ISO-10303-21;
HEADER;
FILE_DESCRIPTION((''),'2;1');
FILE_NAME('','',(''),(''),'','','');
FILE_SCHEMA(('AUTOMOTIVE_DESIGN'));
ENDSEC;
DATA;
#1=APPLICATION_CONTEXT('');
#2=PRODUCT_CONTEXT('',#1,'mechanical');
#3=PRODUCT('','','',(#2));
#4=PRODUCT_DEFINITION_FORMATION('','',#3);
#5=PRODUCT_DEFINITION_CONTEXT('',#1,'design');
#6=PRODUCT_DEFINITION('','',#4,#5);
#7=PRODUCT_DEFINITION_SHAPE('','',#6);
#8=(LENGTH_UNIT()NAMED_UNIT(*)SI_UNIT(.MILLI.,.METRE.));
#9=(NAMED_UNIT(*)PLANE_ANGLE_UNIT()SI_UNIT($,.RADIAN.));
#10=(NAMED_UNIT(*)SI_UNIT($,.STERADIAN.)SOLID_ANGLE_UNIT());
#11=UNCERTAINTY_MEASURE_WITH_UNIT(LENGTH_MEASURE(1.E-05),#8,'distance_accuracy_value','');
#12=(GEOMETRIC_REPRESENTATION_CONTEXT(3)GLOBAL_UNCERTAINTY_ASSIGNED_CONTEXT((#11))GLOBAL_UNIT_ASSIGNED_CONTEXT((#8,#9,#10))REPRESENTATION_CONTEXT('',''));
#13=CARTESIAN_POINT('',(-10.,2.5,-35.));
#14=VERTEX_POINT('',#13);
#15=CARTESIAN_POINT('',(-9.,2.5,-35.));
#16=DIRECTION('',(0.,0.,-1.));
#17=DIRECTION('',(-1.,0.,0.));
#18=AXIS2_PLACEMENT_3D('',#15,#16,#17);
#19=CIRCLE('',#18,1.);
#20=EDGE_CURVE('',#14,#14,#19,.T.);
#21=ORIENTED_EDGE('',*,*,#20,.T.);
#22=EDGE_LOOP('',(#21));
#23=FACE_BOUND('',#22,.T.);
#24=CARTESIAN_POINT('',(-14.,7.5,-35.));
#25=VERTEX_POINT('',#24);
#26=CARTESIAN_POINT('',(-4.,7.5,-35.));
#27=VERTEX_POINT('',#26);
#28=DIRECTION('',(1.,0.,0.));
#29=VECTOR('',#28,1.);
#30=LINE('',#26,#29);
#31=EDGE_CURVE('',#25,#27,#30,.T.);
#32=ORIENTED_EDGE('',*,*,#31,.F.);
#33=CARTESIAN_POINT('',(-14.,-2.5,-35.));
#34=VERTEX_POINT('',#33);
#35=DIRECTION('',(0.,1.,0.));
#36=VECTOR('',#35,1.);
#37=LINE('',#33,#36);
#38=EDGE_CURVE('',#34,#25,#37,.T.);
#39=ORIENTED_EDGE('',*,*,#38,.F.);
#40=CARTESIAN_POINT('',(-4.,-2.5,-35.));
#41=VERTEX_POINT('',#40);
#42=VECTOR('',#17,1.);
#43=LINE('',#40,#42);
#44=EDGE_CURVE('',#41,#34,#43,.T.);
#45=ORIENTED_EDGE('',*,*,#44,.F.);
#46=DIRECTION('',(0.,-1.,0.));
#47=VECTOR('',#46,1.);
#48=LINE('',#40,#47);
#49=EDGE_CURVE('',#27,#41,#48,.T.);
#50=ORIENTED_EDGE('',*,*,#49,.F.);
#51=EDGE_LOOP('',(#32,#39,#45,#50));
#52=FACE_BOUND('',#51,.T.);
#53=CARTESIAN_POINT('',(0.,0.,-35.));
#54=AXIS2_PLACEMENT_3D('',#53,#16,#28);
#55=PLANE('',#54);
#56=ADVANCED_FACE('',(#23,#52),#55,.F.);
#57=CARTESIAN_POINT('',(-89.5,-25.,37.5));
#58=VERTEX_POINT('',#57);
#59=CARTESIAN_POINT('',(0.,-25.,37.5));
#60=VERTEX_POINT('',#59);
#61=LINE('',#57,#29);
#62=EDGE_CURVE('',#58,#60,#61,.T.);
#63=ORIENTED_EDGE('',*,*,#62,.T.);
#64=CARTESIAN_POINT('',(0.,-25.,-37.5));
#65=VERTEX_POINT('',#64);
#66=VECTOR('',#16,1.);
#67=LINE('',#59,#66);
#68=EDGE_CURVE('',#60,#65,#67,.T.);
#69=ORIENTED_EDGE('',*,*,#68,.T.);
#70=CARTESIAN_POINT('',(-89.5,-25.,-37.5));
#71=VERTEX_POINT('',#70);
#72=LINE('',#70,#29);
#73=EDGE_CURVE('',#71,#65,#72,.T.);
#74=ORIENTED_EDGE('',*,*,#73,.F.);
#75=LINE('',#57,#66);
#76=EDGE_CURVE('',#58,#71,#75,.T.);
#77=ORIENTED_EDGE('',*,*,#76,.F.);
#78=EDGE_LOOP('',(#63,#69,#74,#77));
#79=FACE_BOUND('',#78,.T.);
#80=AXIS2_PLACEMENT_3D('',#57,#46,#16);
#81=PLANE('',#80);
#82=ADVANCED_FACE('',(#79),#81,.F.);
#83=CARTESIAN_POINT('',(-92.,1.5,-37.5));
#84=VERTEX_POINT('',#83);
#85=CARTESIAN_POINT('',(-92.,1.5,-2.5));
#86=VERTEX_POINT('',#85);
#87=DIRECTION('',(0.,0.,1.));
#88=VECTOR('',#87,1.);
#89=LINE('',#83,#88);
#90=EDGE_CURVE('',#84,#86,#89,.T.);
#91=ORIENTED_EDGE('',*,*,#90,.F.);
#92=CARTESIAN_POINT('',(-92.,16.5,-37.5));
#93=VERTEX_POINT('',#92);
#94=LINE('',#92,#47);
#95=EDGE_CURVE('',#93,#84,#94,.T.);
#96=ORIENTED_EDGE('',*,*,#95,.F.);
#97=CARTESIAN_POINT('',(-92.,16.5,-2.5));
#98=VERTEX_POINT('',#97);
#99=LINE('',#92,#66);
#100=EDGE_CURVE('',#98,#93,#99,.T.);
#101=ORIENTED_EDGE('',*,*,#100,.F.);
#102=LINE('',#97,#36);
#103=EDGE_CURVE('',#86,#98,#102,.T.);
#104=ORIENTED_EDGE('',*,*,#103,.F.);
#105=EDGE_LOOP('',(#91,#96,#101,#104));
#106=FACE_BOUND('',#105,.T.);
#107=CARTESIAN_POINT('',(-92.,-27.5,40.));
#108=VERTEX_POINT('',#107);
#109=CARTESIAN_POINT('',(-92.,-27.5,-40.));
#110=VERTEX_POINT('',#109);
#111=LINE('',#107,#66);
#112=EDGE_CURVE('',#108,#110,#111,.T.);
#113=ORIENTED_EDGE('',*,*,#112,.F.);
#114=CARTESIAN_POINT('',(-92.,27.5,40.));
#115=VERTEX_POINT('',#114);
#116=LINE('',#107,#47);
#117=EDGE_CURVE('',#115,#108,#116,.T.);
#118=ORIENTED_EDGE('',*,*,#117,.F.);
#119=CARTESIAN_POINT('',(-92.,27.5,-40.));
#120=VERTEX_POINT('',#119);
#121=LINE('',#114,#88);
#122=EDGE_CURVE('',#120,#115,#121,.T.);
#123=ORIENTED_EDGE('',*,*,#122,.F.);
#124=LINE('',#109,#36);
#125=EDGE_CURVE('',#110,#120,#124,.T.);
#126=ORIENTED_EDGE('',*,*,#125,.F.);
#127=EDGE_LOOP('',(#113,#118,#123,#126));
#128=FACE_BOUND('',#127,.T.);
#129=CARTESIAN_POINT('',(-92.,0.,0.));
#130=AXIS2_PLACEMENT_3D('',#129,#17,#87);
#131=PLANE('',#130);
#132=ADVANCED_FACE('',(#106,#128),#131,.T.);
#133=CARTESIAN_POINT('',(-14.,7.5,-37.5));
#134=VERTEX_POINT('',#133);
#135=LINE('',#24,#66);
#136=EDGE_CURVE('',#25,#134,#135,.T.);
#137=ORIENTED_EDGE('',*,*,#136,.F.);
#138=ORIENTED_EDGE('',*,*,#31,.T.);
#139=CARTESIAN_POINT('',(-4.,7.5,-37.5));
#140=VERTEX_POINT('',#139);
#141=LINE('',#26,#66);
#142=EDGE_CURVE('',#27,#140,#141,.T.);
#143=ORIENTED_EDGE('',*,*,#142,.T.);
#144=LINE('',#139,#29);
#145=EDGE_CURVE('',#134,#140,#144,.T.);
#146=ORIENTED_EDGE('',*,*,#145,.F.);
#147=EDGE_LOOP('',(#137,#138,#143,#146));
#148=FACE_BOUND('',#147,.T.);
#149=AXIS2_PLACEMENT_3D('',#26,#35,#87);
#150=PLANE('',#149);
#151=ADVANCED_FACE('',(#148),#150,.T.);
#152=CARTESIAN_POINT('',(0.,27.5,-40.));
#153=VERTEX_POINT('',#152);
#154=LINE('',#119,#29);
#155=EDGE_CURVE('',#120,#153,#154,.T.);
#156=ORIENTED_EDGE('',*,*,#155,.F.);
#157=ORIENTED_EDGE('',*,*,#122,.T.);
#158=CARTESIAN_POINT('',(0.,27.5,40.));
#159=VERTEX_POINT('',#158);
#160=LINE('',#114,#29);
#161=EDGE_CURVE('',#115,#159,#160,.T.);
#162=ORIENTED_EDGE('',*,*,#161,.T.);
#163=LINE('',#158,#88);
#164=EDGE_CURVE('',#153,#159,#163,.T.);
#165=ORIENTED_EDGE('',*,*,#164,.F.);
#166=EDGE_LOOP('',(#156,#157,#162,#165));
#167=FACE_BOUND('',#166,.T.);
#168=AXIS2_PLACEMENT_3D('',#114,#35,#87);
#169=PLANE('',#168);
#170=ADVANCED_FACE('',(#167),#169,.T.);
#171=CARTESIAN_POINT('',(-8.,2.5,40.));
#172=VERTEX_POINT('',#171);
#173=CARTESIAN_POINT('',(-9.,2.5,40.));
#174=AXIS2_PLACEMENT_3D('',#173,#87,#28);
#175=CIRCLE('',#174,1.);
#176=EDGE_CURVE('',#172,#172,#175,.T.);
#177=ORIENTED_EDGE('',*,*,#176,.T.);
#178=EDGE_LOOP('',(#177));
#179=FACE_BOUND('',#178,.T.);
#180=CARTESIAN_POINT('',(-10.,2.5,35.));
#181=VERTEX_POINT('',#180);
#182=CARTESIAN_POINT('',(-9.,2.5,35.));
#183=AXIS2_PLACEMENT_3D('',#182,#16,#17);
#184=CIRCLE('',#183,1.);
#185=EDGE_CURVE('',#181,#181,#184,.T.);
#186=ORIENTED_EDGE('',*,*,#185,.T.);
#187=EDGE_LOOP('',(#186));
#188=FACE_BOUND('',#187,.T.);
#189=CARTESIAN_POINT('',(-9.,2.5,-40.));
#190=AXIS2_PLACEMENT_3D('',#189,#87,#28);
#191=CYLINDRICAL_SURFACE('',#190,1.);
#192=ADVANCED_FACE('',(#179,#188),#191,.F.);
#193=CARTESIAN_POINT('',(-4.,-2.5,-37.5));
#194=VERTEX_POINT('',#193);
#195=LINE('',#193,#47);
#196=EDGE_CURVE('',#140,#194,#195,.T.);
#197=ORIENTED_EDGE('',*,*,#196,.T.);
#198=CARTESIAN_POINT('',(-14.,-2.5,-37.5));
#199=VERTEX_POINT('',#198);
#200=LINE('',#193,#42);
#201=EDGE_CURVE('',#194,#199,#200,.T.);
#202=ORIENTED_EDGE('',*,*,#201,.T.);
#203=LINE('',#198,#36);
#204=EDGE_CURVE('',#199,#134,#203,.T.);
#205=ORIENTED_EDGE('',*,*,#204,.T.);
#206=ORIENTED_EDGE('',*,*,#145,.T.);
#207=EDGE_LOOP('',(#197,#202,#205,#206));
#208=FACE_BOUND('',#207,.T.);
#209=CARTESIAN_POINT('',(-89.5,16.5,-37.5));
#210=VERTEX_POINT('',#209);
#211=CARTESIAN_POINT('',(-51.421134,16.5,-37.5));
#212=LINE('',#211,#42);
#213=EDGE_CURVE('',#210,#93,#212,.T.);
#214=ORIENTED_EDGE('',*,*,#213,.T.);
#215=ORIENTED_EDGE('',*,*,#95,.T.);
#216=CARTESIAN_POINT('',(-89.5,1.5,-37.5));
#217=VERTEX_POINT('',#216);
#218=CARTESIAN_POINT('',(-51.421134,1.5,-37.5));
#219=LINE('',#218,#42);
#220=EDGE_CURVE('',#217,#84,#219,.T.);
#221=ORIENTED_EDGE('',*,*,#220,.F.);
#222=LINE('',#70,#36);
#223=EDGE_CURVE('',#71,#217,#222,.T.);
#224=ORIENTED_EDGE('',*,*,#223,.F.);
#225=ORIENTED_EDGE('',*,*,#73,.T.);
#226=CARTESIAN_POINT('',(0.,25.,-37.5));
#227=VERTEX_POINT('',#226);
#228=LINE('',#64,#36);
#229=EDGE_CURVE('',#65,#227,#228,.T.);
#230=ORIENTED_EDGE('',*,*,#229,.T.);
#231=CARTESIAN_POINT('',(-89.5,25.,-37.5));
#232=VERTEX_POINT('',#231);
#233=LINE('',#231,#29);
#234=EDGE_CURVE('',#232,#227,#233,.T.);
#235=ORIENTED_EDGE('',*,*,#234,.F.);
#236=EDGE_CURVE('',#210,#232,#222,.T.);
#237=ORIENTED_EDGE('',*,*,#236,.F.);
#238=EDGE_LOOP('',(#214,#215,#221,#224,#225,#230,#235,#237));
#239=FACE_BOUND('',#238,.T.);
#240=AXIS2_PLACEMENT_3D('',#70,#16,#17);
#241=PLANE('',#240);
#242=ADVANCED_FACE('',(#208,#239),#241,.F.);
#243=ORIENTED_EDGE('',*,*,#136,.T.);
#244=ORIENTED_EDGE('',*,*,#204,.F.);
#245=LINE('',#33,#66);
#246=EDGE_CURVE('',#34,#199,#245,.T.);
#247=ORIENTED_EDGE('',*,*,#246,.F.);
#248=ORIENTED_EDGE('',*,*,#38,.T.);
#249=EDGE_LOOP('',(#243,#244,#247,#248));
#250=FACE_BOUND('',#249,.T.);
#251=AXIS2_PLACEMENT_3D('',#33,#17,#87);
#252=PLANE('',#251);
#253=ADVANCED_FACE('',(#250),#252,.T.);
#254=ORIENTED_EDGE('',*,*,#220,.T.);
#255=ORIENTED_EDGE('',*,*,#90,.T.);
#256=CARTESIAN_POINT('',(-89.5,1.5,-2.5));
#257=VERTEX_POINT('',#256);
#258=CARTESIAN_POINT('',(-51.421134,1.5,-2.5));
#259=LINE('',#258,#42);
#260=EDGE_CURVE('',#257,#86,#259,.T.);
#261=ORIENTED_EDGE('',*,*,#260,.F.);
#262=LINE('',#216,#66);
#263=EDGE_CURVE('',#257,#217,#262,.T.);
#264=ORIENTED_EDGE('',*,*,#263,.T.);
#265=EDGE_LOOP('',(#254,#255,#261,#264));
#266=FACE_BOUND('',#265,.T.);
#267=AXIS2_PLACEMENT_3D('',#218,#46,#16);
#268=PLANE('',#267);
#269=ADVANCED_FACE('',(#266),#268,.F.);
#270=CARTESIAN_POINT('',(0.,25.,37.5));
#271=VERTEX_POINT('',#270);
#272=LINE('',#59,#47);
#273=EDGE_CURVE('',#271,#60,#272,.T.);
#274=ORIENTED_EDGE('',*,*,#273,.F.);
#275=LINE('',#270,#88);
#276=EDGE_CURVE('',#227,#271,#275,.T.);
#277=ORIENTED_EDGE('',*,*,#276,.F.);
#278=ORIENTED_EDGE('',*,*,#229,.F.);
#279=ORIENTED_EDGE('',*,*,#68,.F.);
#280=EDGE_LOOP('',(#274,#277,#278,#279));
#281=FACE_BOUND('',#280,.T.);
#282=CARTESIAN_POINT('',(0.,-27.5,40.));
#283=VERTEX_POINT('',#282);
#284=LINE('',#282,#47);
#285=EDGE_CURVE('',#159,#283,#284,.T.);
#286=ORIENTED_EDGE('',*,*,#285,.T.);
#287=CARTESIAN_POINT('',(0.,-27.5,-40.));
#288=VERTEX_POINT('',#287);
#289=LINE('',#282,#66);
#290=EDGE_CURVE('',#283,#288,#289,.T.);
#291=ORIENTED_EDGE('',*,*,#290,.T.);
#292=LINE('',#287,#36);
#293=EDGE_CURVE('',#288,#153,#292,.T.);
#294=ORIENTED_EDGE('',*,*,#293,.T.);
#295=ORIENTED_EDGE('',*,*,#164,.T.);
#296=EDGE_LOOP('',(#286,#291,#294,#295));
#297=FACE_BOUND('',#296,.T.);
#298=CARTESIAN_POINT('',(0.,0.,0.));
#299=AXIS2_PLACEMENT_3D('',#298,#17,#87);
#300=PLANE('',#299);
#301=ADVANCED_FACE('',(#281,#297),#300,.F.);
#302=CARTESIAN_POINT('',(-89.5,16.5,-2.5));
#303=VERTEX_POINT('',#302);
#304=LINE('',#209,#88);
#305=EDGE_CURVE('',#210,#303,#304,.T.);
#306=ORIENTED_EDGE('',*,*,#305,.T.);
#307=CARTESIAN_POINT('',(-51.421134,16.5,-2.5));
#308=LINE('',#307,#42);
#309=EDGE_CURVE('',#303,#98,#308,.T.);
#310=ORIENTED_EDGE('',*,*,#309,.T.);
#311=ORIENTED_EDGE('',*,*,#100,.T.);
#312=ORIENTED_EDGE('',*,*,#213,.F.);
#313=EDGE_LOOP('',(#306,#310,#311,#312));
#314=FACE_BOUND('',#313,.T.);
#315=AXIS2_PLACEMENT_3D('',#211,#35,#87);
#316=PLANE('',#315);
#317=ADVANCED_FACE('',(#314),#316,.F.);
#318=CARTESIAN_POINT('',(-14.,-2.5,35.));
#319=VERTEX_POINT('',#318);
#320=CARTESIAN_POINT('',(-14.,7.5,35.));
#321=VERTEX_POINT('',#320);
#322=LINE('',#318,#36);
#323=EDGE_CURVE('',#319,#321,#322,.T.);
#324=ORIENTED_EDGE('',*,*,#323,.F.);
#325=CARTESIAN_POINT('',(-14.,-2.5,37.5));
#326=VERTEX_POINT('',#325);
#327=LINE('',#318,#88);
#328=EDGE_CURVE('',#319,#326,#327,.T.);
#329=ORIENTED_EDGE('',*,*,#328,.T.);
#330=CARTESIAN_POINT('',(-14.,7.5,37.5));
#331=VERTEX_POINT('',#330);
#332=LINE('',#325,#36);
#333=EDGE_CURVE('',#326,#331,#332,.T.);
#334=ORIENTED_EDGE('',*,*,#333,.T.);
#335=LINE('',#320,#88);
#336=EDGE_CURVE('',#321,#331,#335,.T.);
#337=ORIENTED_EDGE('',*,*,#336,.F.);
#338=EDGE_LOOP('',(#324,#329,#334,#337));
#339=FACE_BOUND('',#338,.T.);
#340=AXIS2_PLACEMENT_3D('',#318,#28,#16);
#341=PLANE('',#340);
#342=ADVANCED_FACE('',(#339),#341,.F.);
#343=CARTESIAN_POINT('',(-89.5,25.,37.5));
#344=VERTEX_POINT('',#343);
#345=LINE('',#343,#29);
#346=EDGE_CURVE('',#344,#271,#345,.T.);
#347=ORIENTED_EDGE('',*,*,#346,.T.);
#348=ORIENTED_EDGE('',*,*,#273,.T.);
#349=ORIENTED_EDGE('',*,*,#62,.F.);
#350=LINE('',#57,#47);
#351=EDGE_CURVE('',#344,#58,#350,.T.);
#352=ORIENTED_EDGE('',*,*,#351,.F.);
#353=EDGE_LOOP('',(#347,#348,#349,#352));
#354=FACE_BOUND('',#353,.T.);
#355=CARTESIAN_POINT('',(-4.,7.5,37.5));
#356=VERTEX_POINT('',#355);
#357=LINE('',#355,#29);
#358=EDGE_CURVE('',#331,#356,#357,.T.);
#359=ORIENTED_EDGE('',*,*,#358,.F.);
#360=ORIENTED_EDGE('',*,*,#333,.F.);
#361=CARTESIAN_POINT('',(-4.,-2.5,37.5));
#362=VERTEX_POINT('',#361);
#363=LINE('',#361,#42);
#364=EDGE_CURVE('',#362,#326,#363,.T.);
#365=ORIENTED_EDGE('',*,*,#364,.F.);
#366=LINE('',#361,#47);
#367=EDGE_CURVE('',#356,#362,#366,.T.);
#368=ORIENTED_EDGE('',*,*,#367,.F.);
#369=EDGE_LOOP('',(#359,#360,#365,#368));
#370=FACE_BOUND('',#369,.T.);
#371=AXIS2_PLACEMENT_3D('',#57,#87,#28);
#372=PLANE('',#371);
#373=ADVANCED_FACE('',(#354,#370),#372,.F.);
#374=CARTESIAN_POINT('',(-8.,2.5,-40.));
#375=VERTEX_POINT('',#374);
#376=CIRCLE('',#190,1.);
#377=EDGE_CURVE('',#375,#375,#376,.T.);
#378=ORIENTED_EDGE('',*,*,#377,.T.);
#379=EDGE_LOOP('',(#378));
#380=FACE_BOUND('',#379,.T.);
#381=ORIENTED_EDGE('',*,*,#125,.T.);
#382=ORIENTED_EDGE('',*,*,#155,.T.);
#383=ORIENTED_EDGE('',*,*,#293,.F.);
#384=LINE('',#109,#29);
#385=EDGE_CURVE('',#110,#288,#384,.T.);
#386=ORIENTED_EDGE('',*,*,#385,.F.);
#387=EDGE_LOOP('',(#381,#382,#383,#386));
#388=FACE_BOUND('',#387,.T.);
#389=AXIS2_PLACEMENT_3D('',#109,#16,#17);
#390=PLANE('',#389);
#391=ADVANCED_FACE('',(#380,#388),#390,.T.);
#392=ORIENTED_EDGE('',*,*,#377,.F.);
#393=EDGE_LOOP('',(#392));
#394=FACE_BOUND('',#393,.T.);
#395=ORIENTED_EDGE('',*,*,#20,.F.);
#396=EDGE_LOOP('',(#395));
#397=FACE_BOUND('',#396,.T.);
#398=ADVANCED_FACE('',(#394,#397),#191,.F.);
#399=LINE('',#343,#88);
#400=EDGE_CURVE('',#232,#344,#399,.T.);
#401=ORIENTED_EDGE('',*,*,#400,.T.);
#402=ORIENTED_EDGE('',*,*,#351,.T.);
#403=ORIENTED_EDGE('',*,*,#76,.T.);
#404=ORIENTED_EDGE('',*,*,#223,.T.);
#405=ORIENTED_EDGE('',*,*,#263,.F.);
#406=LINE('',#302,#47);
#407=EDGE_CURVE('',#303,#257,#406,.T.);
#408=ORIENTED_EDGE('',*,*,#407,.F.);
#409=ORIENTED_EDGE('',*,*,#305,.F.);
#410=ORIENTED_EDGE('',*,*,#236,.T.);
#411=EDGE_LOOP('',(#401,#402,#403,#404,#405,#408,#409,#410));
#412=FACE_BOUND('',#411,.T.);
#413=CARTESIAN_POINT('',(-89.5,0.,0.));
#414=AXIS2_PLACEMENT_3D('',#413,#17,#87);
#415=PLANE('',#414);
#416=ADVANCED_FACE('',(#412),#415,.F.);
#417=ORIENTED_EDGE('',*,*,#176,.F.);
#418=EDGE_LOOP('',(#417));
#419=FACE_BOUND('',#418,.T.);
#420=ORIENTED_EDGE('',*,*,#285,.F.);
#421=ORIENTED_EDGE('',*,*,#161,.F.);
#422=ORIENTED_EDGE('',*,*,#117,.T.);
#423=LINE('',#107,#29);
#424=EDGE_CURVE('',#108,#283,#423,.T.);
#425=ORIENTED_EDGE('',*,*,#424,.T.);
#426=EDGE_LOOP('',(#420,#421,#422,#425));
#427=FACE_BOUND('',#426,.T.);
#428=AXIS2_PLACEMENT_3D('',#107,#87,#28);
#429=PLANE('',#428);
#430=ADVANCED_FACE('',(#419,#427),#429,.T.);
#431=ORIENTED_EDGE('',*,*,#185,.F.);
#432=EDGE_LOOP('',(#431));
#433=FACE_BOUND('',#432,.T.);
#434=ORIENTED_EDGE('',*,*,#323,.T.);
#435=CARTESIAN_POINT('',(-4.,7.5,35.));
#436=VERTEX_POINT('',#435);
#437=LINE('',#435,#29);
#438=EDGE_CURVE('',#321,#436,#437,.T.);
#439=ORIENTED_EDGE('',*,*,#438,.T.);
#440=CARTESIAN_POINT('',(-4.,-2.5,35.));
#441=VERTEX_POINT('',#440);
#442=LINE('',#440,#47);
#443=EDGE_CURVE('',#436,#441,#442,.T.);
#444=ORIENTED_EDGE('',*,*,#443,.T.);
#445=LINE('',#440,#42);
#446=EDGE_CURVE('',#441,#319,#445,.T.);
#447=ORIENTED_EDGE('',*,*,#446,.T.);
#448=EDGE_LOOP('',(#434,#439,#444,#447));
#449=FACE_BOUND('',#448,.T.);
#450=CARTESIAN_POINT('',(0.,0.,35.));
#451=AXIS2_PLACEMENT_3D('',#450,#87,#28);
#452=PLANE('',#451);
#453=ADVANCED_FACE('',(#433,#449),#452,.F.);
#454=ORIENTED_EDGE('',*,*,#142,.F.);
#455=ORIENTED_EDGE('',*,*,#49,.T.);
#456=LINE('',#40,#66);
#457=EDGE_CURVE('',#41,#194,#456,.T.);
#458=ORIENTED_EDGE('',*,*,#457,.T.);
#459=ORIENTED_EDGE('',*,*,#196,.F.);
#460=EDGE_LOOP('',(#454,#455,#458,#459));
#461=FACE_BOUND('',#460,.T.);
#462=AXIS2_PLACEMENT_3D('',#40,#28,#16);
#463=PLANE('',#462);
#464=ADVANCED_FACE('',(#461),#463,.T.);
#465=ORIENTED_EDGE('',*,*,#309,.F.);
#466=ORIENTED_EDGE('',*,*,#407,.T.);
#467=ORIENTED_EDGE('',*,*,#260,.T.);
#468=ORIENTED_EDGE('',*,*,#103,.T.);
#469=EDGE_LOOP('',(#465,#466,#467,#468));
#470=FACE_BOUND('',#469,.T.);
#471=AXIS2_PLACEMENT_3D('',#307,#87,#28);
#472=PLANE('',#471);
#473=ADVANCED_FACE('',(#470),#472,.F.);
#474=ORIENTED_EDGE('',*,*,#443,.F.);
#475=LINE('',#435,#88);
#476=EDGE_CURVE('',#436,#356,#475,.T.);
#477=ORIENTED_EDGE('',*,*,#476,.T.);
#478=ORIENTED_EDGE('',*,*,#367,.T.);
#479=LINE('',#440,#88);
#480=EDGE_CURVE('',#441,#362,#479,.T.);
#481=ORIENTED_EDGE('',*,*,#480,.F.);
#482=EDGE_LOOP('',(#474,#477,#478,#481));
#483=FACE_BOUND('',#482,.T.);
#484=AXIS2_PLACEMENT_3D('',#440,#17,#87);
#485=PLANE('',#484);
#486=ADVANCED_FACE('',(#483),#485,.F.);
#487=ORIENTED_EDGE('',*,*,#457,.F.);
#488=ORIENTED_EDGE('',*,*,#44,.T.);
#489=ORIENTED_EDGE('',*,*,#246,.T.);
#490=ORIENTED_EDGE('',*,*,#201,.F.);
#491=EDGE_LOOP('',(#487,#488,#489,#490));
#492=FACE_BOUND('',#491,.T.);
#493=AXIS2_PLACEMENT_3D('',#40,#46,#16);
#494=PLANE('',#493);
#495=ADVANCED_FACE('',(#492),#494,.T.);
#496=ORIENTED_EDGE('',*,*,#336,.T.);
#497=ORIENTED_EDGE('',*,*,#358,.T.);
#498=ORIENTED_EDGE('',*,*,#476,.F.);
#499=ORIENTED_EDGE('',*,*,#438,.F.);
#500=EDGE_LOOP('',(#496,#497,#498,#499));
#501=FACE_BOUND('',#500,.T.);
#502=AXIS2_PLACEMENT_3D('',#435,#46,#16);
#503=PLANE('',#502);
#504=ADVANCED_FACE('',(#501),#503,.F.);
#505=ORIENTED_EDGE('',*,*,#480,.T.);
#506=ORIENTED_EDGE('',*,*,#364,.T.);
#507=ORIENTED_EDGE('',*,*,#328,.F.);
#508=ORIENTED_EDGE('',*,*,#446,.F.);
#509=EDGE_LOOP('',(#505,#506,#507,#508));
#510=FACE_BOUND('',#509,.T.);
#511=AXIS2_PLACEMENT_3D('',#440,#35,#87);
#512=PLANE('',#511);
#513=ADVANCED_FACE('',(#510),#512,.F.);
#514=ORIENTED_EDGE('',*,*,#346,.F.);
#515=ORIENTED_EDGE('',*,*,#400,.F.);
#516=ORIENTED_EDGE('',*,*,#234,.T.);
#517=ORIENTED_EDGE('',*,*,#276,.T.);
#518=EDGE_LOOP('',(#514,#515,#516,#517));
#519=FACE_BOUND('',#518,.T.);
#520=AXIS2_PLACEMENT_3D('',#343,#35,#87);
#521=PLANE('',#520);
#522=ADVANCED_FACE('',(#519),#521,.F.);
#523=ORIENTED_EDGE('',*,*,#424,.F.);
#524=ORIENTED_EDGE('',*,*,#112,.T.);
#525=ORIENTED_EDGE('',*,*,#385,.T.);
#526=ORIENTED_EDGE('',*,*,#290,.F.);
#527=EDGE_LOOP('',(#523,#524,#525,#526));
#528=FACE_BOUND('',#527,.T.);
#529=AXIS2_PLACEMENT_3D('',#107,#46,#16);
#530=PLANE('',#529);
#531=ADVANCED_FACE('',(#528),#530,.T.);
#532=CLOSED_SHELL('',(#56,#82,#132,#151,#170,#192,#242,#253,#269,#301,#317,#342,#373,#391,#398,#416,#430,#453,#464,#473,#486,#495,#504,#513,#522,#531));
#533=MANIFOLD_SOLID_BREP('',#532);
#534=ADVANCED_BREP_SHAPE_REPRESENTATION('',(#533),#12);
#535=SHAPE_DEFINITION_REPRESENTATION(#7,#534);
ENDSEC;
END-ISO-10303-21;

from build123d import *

# Parameters (mm, degrees)
ESBO_O2_W                = 80
ESBO_O2_H                = 55
RESSALTO_EXTRUS_O1_DEPTH = 92
ESBO_O3_W                = 75
ESBO_O3_H                = 50
CORTE_EXTRUS_O1_DEPTH    = 89.5
ESBO_O4_W                = 35
ESBO_O4_H                = 15
CORTE_EXTRUS_O2_DEPTH    = 2.5
ESBO_O5_R                = 1
CORTE_EXTRUS_O3_DEPTH    = 125.980998556
ESBO_O6_W                = 10
ESBO_O6_H                = 10
RESSALTO_EXTRUS_O2_DEPTH = 2.5
ESBO_O8_R                = 1
CORTE_EXTRUS_O4_DEPTH    = 122.841085025


with BuildPart() as part:
    # Esboço2 → Ressalto-extrusão1 (new body)
    with BuildSketch(Plane(origin=(0, 0, 0), x_dir=(0, 0, -1), z_dir=(1, 0, 0))):
        Rectangle(ESBO_O2_W, ESBO_O2_H)
    extrude(amount=-RESSALTO_EXTRUS_O1_DEPTH)

    # Esboço3 → Corte-extrusão1 (cut)
    with BuildSketch(Plane(origin=(0, 0, 0), x_dir=(0, 0, -1), z_dir=(1, 0, 0))):
        Rectangle(ESBO_O3_W, ESBO_O3_H)
    extrude(amount=-CORTE_EXTRUS_O1_DEPTH, mode=Mode.SUBTRACT)

    # Esboço4 → Corte-extrusão2 (cut)
    with BuildSketch(Plane.ZY.offset(92)):
        with Locations((-20, 9)):
            Rectangle(ESBO_O4_W, ESBO_O4_H)
    extrude(amount=-CORTE_EXTRUS_O2_DEPTH, mode=Mode.SUBTRACT)

    # Esboço5 → Corte-extrusão3 (cut, through all)
    with BuildSketch(Plane.XY.offset(40)):
        with Locations((-9, 2.5)):
            Circle(ESBO_O5_R)
    extrude(amount=-CORTE_EXTRUS_O3_DEPTH, mode=Mode.SUBTRACT)

    # Esboço6 → Ressalto-extrusão2 (add)
    with BuildSketch(Plane(origin=(0, 0, 37.5), x_dir=(-1, 0, 0), z_dir=(0, 0, -1))):
        with Locations((9, 2.5)):
            Rectangle(ESBO_O6_W, ESBO_O6_H)
    ressalto_extrus_o2 = extrude(amount=RESSALTO_EXTRUS_O2_DEPTH)

    # Esboço8 → Corte-extrusão4 (cut, through all)
    with BuildSketch(Plane(origin=(0, 0, 35), x_dir=(-1, 0, 0), z_dir=(0, 0, -1))):
        with Locations(Location((9, 2.5, 0), (0, 0, 180))):
            Circle(ESBO_O8_R)
    corte_extrus_o4 = extrude(amount=-CORTE_EXTRUS_O4_DEPTH, mode=Mode.SUBTRACT)

    # Espelhar3: Ressalto-extrusão2, Corte-extrusão4 across plane
    add(ressalto_extrus_o2.mirror(Plane.XY))
    add(corte_extrus_o4.mirror(Plane.XY), mode=Mode.SUBTRACT)


solid = part.part
